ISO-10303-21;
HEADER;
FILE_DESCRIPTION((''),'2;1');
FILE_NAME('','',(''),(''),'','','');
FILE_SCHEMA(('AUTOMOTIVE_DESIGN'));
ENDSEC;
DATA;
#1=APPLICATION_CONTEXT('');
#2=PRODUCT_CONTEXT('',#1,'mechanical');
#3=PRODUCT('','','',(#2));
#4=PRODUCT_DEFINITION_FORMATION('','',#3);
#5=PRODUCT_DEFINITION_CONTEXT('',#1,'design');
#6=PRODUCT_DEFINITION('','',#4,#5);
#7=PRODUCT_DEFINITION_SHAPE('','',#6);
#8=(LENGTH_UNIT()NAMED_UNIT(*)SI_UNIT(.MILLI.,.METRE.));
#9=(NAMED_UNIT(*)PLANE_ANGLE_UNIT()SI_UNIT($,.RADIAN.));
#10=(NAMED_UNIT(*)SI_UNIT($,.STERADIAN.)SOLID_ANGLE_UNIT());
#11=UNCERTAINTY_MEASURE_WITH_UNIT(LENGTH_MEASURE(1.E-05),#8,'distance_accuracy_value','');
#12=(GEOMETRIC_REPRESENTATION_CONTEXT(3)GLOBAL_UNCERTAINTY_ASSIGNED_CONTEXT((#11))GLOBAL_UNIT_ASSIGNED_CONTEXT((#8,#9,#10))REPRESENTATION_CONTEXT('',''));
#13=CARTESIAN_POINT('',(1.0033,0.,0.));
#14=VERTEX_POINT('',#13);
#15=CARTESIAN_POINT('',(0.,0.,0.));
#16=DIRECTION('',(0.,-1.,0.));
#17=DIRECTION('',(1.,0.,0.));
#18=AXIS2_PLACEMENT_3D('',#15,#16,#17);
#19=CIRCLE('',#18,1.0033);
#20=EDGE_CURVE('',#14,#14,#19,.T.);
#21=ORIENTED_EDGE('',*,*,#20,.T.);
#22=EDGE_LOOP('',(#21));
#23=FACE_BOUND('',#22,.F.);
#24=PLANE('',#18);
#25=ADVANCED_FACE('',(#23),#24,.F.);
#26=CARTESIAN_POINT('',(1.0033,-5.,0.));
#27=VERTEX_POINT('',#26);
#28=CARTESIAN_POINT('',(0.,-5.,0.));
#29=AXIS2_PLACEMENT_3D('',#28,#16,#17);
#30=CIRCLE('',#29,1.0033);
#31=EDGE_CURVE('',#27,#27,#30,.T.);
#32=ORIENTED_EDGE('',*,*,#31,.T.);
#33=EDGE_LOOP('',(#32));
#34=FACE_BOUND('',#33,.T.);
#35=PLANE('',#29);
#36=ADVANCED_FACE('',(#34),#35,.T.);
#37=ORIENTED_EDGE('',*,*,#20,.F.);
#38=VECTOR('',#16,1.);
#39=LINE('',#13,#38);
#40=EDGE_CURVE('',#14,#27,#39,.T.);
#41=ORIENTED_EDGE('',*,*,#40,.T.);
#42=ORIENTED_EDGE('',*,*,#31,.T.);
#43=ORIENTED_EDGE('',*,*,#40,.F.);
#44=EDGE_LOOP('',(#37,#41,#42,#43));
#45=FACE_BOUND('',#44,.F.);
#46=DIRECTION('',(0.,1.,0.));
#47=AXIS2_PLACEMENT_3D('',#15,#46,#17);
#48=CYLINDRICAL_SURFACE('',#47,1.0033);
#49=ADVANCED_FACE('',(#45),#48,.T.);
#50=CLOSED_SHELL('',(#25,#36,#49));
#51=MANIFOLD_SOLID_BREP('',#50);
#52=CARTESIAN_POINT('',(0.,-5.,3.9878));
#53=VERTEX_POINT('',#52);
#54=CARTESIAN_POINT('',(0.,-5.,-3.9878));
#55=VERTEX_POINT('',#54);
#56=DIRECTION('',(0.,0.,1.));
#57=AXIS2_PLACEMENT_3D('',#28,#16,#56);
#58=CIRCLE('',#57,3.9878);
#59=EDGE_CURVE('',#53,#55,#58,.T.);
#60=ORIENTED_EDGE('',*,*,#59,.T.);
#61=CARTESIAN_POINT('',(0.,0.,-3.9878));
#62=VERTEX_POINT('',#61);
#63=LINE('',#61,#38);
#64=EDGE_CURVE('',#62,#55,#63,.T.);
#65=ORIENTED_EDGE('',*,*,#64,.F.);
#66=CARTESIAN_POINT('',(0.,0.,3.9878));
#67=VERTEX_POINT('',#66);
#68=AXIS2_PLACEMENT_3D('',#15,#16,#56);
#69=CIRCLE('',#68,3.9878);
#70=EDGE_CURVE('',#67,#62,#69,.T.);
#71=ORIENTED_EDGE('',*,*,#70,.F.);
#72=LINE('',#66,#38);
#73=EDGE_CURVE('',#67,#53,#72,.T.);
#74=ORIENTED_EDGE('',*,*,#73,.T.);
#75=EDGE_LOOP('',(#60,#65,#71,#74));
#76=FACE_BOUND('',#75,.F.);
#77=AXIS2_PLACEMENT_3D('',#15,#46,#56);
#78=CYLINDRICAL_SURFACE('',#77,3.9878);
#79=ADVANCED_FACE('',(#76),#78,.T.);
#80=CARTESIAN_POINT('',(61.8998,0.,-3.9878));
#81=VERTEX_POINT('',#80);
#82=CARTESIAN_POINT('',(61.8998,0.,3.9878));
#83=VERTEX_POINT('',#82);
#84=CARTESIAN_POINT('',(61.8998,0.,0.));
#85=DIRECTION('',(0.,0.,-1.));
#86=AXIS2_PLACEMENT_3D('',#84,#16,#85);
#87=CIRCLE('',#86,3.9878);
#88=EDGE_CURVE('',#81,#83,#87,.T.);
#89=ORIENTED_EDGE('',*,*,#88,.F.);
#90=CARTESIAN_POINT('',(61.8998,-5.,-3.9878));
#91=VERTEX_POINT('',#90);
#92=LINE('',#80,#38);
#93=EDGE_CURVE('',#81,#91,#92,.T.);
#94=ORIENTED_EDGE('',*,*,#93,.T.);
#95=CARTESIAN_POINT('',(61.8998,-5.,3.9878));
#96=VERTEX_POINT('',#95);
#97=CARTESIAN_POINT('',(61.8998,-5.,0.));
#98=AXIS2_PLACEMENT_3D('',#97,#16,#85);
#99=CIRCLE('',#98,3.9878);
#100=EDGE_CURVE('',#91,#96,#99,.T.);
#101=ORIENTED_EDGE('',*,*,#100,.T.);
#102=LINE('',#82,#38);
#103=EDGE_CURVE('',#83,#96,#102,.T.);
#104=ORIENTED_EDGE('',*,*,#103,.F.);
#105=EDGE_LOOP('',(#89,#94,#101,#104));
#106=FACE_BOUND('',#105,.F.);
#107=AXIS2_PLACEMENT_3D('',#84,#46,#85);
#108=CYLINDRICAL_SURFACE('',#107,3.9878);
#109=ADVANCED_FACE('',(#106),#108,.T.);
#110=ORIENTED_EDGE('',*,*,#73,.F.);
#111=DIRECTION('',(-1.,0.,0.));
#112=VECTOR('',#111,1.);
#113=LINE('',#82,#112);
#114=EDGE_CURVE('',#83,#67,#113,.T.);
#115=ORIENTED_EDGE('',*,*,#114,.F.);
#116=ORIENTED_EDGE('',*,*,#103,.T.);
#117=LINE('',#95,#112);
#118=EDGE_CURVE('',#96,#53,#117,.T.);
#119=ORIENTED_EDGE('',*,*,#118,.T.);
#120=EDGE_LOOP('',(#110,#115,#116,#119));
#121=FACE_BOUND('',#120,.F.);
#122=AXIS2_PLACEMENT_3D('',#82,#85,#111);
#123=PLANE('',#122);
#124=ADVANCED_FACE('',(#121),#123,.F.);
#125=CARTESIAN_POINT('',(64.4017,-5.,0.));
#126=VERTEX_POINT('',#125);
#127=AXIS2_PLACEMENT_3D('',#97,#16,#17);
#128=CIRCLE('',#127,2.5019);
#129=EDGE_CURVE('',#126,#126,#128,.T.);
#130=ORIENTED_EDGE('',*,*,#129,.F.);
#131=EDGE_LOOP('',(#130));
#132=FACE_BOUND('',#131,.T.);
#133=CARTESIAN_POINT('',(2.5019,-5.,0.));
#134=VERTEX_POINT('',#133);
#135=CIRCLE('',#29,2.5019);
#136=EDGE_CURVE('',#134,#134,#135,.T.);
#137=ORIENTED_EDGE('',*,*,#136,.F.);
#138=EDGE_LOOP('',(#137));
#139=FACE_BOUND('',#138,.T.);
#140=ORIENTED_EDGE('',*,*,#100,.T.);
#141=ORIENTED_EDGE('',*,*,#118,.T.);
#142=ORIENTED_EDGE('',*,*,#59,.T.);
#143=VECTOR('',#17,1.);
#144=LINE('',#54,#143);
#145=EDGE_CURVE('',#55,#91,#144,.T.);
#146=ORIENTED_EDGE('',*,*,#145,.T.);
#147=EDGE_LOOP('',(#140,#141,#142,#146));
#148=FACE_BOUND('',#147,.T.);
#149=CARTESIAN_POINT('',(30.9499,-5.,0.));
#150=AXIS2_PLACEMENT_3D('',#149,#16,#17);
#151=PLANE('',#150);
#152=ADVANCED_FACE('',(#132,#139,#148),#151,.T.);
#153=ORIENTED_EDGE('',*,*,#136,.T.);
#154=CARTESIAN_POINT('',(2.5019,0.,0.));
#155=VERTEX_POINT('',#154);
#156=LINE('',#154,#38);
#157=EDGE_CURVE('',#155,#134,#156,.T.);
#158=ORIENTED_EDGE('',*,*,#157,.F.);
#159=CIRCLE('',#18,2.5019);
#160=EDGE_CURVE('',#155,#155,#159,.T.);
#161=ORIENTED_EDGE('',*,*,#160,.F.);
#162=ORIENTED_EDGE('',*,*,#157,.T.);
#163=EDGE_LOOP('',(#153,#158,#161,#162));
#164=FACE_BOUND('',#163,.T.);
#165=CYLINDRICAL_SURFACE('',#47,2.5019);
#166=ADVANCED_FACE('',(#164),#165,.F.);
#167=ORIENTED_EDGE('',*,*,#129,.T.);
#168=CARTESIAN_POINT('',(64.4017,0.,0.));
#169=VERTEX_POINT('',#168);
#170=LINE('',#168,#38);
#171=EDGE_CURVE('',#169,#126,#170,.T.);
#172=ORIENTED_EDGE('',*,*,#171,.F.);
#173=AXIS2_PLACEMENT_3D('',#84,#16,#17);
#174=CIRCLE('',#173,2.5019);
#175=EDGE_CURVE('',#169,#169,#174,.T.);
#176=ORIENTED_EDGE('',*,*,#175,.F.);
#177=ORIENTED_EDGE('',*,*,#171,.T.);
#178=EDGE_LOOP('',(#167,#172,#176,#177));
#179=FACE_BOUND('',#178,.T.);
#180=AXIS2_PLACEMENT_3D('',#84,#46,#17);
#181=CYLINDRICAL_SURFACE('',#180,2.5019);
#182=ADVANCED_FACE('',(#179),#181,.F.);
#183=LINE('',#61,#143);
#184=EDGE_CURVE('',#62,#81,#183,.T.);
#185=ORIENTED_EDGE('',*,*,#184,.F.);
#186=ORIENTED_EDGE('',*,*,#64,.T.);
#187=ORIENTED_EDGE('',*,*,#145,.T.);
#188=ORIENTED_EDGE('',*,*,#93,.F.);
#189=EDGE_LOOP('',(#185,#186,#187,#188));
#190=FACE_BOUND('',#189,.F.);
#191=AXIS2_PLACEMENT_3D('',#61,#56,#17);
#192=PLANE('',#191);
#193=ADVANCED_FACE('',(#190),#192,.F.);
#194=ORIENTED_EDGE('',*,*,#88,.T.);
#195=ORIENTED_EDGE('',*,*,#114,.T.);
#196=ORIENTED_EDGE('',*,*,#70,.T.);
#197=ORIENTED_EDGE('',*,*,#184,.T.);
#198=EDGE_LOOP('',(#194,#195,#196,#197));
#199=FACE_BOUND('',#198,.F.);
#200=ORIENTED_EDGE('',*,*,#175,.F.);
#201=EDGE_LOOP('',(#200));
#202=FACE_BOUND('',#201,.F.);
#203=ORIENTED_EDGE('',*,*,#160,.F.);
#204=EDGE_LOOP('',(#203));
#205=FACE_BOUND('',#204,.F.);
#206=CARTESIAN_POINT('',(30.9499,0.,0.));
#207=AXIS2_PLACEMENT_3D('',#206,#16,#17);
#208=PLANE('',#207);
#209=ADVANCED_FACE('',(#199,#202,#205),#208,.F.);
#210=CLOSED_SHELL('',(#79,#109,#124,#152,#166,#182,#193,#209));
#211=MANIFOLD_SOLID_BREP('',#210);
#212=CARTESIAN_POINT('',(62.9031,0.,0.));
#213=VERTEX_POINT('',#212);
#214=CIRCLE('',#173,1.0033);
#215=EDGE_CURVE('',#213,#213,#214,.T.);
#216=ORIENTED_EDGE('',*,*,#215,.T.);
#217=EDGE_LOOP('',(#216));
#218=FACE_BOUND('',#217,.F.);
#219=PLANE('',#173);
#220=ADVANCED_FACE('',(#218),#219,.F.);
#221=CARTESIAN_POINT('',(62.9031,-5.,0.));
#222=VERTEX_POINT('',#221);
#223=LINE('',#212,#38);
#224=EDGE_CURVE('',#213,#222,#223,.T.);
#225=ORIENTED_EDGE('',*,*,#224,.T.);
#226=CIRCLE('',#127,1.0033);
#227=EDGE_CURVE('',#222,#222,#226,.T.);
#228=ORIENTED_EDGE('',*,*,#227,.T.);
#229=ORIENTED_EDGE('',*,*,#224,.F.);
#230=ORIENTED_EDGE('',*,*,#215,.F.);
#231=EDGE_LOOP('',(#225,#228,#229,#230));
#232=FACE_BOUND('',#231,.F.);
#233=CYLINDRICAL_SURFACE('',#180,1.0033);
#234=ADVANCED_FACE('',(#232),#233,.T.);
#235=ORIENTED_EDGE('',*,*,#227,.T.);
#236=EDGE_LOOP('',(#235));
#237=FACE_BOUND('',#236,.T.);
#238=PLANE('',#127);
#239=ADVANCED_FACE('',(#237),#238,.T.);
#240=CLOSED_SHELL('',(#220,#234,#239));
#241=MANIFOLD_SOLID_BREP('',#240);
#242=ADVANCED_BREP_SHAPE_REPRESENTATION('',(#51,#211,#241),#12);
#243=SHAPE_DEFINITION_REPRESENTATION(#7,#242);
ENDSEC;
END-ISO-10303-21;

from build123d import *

# Parameters (mm, degrees)
F0_R     = 2.5019
F0_R_2   = 1.0033
F1_DEPTH = 5


with BuildPart() as f1:
    # F0 (on Front) → F1 (new body)
    with BuildSketch(Plane.XZ):
        with BuildLine():
            ThreePointArc((0, 3.9878), (-3.9878, 0), (0, -3.9878))
            Line((0, -3.9878), (61.8998, -3.9878))
            ThreePointArc((61.8998, -3.9878), (65.8876, 0), (61.8998, 3.9878))
            Line((61.8998, 3.9878), (0, 3.9878))
        make_face()
        Circle(F0_R, mode=Mode.SUBTRACT)
        with Locations((61.8998, 0)):
            Circle(F0_R, mode=Mode.SUBTRACT)
        Circle(F0_R_2)
        with Locations((61.8998, 0)):
            Circle(F0_R_2)
    extrude(amount=F1_DEPTH)


solid = f1.part
